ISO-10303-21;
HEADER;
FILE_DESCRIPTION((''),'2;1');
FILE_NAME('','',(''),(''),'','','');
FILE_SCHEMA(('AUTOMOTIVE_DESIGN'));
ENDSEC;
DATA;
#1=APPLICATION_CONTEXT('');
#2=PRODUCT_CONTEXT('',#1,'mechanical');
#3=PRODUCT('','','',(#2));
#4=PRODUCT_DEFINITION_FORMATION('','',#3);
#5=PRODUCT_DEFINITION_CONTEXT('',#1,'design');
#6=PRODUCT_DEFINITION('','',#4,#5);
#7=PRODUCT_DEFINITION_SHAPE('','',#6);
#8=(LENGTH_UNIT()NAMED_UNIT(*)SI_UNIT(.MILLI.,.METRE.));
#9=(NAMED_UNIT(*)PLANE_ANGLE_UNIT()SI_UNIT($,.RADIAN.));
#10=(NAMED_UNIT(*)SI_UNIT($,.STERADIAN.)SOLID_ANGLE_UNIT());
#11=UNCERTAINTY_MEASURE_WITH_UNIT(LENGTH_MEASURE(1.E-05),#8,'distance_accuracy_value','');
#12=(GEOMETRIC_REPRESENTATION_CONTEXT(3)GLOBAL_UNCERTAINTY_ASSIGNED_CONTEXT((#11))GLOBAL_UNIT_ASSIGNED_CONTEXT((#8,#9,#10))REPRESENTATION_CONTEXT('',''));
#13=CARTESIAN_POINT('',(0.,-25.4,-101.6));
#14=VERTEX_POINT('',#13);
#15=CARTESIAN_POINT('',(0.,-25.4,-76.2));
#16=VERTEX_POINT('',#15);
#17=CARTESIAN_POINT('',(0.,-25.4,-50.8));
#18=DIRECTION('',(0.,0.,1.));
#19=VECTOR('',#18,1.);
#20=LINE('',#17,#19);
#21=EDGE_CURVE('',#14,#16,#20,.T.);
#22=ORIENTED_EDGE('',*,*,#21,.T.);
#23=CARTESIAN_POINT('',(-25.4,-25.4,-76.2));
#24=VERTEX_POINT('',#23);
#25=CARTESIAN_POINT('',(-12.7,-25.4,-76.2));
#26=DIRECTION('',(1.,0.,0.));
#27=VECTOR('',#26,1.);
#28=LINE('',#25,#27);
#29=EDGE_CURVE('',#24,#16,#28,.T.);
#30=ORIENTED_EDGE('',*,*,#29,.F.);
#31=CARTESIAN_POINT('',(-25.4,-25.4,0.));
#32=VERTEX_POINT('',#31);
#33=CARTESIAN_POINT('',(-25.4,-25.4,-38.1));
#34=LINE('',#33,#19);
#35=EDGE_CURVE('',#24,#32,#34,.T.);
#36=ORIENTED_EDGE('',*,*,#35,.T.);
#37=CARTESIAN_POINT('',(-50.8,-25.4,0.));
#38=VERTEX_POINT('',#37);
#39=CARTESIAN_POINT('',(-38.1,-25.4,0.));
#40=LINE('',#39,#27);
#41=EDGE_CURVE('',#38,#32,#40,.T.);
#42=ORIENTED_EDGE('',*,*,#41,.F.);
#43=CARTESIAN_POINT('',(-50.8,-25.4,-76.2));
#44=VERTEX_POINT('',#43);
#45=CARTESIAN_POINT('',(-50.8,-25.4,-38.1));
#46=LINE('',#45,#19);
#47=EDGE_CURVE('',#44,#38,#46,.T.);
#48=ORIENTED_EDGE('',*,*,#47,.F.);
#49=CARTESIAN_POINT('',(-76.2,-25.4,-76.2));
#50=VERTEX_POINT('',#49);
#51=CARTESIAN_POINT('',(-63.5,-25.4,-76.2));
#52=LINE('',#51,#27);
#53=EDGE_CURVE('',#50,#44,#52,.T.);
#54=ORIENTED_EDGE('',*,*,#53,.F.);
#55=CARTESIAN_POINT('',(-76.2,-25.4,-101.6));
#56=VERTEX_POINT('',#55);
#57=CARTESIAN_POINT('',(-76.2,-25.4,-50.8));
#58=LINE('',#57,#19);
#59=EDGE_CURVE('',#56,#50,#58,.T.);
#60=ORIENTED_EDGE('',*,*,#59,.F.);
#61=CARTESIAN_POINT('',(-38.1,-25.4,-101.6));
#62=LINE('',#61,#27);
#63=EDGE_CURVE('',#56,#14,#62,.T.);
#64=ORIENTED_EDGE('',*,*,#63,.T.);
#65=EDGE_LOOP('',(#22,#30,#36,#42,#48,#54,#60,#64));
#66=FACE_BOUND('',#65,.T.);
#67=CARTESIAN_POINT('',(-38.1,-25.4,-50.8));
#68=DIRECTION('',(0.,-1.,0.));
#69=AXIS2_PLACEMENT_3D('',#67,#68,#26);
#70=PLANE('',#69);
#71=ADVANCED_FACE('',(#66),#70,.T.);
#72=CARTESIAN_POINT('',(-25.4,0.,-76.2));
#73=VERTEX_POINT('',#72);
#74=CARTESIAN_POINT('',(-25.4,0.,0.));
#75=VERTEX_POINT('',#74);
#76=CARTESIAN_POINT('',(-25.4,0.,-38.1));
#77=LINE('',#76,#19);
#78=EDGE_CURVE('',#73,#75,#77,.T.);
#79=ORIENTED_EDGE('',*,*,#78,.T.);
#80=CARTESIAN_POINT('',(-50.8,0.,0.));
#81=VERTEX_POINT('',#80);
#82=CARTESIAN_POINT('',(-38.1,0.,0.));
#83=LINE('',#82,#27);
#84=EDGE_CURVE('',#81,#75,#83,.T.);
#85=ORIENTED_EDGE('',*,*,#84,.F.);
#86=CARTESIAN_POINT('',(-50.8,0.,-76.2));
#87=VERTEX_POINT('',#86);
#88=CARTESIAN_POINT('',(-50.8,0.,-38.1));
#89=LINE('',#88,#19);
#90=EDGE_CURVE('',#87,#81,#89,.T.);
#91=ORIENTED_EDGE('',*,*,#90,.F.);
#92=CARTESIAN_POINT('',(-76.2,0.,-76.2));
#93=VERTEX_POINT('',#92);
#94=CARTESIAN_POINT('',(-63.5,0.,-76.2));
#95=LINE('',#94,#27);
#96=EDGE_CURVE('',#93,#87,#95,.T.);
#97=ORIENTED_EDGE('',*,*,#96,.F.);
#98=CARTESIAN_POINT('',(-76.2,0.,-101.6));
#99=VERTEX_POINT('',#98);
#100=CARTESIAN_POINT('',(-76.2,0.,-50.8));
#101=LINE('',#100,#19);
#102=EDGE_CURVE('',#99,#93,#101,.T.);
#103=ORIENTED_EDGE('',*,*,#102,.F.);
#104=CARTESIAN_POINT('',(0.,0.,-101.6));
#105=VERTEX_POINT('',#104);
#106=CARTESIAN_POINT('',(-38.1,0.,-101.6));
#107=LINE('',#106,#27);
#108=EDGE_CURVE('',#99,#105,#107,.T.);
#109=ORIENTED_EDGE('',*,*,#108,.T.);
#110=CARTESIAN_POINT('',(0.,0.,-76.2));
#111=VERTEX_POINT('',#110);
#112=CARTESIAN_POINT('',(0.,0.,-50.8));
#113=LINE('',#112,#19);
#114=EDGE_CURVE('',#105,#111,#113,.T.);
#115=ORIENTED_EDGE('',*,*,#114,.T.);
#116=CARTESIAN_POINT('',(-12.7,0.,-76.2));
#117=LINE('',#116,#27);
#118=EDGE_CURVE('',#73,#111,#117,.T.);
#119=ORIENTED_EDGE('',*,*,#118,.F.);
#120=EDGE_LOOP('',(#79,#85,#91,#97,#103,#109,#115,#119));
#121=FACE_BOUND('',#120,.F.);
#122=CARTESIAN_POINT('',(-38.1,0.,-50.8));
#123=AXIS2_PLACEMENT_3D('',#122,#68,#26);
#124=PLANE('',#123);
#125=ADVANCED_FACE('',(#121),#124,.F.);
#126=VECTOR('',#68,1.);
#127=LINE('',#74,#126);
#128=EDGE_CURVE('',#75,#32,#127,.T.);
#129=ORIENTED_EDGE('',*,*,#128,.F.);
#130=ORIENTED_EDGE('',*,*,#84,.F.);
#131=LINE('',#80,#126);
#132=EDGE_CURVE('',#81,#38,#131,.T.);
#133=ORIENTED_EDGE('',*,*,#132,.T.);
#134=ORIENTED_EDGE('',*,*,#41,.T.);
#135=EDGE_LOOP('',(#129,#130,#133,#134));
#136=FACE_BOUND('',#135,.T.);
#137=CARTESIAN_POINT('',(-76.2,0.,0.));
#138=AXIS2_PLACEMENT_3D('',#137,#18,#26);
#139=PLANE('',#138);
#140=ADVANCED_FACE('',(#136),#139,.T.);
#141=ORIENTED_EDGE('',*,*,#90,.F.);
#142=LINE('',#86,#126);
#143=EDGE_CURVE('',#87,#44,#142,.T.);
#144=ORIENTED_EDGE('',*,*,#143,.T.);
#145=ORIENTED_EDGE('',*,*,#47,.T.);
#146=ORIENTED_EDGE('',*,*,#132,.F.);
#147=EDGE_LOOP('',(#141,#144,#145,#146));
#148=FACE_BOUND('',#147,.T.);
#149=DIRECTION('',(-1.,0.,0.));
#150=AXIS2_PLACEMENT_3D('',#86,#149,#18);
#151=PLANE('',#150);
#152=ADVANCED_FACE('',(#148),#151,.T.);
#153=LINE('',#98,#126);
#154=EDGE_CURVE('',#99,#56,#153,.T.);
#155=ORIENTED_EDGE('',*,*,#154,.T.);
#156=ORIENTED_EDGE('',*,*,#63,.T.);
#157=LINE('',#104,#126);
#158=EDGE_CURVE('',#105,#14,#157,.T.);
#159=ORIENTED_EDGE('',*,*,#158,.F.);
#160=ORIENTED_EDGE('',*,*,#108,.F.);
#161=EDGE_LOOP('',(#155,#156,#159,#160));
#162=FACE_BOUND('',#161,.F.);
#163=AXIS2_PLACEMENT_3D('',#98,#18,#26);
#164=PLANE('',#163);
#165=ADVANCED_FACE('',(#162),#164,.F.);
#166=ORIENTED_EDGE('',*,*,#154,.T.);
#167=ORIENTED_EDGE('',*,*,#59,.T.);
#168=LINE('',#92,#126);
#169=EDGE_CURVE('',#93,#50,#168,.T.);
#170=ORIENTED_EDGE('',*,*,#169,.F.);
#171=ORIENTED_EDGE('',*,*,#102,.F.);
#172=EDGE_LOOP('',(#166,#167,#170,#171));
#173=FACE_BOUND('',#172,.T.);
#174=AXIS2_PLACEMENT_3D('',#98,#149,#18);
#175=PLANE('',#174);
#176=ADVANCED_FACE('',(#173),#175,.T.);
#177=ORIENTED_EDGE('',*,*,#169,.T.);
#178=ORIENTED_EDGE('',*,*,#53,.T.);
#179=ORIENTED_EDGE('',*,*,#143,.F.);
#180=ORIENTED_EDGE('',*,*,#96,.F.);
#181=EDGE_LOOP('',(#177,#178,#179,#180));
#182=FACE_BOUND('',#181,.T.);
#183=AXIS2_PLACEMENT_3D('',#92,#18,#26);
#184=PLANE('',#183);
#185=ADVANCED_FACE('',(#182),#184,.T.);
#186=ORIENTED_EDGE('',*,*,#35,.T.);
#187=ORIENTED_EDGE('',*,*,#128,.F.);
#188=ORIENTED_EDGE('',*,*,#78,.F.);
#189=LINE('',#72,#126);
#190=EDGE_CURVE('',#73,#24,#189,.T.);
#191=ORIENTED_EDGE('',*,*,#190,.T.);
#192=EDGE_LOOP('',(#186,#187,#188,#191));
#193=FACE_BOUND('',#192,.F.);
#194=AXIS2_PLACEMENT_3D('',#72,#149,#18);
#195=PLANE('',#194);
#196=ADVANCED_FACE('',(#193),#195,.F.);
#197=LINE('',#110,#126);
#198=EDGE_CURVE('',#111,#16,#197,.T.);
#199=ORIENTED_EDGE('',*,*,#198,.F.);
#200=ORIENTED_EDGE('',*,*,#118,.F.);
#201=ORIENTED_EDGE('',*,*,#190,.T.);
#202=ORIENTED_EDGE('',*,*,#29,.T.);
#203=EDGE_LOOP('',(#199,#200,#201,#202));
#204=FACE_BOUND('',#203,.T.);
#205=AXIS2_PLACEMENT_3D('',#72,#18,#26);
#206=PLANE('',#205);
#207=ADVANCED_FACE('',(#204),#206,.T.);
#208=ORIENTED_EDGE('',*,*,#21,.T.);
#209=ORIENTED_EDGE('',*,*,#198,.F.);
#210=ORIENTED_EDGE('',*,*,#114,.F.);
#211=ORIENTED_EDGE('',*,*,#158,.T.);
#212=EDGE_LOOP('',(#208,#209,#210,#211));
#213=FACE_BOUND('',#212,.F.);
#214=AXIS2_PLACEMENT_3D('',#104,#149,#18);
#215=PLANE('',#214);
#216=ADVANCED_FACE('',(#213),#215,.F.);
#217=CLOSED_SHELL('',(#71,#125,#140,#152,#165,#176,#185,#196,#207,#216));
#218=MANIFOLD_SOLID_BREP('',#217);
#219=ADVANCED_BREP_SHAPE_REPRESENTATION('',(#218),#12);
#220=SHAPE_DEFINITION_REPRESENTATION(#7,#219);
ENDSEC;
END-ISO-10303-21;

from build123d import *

# Parameters (mm, degrees)
F0_W     = 76.2
F0_H     = 101.6
F1_DEPTH = 25.4
F2_W     = 25.4
F2_H     = 76.2
F3_DEPTH = 25.4


with BuildPart() as f1:
    # F0 (on Front) → F1 (new body)
    with BuildSketch(Plane.XZ):
        with Locations((-38.1, -50.8)):
            Rectangle(F0_W, F0_H)
    extrude(amount=F1_DEPTH)

    # F2 (on Front) → F3 (cut)
    with BuildSketch(Plane.XZ):
        with Locations((-63.5, -38.1)):
            Rectangle(F2_W, F2_H)
        with Locations((-12.7, -38.1)):
            Rectangle(F2_W, F2_H)
    extrude(amount=F3_DEPTH, mode=Mode.SUBTRACT)


solid = f1.part
